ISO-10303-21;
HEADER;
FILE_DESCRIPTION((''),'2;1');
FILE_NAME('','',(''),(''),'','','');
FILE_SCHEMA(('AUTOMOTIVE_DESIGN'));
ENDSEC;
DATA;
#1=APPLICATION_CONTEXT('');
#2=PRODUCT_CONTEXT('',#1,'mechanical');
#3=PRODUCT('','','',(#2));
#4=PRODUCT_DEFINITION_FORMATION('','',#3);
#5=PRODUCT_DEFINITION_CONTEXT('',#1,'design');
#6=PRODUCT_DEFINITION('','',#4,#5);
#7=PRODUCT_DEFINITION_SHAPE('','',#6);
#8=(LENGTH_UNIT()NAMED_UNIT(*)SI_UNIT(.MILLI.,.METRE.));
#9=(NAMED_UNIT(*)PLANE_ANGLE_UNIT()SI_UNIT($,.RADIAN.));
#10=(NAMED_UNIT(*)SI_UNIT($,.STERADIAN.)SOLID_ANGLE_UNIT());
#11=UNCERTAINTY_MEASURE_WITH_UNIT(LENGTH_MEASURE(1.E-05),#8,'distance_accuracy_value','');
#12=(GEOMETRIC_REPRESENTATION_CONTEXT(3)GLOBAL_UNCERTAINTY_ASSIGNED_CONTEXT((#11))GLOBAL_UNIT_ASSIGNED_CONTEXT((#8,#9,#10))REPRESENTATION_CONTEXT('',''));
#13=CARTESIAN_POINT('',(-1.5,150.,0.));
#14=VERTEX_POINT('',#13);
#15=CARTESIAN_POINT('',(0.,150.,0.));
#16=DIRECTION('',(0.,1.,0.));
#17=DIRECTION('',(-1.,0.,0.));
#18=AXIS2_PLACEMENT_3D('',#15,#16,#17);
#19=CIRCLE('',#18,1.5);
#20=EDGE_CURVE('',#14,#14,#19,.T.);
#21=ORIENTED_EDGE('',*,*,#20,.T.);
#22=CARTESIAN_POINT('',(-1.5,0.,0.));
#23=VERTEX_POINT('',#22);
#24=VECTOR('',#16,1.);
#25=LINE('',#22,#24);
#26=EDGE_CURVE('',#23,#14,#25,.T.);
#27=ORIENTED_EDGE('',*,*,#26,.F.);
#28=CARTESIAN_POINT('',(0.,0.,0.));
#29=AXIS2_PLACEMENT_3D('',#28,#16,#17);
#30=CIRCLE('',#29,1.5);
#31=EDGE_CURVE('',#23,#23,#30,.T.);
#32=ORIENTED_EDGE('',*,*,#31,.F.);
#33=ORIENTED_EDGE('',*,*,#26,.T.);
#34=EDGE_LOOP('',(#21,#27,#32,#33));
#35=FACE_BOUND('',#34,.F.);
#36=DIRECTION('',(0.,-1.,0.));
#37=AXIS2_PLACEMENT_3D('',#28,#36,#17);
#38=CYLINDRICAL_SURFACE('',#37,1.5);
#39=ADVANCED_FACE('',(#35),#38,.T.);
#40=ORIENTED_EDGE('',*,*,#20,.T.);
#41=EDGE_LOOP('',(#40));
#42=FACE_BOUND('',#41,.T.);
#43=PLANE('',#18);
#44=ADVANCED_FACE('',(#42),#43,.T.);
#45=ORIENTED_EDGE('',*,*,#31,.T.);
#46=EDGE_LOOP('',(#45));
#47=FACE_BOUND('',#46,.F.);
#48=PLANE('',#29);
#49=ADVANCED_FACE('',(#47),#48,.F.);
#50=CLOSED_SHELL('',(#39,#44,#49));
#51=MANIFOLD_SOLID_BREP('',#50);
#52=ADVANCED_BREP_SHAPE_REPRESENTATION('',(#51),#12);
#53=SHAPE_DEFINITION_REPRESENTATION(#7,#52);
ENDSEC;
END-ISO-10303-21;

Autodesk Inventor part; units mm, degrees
ref_plane "YZ Plane" through (0, 0, 0) normal (1, 0, 0) x (0, 1, 0)
ref_plane "XZ Plane" through (0, 0, 0) normal (0, 1, 0) x (-1, 0, 0)
ref_plane "XY Plane" through (0, 0, 0) normal (0, 0, 1) x (1, 0, 0)
sketch "Sketch1" plane through (0, 0, 0) normal (0, 1, 0) x (-1, 0, 0)
  circle A0 centre (0, 0) radius 1.5
  dimension "d0" = 3
extrude "Extrusion1" add sketch "Sketch1" along normal blind 150
thread "Thread1" size "M3x0.5" class "6g" standard "ISO Metric profile" length 10
properties part number "spokes"
